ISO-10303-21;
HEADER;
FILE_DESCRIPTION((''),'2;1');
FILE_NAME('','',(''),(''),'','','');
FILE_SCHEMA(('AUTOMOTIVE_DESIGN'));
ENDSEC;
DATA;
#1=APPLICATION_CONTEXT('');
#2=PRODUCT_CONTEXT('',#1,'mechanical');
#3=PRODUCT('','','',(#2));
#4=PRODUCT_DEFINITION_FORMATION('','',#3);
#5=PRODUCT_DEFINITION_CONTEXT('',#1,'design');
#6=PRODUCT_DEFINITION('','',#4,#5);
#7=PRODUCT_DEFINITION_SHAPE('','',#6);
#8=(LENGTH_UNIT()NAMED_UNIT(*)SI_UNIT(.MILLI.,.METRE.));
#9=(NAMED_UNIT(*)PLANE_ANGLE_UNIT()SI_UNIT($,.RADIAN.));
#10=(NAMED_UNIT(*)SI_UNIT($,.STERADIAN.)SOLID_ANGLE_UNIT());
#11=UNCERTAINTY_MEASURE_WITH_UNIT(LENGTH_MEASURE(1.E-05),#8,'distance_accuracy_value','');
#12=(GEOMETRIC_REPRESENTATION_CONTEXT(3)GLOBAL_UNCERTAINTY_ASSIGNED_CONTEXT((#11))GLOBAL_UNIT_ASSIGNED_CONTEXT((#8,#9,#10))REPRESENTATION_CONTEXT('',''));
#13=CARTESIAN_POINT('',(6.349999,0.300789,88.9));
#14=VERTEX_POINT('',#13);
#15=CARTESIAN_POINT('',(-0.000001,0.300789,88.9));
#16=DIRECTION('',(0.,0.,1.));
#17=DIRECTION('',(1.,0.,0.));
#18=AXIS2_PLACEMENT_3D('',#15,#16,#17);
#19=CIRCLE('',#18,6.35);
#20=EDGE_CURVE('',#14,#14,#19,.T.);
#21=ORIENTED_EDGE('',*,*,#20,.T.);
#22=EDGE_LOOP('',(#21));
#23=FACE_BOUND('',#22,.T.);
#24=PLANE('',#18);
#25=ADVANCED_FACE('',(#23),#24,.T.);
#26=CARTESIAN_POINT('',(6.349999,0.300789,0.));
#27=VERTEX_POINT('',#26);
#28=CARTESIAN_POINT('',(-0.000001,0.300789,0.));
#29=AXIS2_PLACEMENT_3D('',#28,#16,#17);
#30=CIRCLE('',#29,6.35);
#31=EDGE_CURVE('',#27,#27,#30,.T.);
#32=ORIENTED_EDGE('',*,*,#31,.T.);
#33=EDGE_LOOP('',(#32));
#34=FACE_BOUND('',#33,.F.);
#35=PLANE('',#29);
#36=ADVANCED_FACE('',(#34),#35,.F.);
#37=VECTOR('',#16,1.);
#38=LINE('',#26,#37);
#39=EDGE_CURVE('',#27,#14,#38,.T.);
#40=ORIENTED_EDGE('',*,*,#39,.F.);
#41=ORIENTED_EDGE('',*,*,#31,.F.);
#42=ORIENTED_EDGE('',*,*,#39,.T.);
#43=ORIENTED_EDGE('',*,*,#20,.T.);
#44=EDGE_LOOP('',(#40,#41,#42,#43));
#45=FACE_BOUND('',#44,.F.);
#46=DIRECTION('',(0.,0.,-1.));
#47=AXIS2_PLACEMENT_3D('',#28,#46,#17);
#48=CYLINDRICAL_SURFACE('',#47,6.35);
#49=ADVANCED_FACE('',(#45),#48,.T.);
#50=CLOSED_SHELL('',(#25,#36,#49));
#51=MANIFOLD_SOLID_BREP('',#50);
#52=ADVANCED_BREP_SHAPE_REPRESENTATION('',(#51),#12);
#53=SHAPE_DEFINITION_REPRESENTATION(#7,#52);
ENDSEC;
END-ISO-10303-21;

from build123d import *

# Parameters (mm, degrees)
F0_R     = 6.35
F1_DEPTH = 88.9


with BuildPart() as f1:
    # F0 (on Top) → F1 (new body)
    with BuildSketch(Plane.XY):
        with Locations((-1e-06, 0.300789)):
            Circle(F0_R)
    extrude(amount=F1_DEPTH)


solid = f1.part
